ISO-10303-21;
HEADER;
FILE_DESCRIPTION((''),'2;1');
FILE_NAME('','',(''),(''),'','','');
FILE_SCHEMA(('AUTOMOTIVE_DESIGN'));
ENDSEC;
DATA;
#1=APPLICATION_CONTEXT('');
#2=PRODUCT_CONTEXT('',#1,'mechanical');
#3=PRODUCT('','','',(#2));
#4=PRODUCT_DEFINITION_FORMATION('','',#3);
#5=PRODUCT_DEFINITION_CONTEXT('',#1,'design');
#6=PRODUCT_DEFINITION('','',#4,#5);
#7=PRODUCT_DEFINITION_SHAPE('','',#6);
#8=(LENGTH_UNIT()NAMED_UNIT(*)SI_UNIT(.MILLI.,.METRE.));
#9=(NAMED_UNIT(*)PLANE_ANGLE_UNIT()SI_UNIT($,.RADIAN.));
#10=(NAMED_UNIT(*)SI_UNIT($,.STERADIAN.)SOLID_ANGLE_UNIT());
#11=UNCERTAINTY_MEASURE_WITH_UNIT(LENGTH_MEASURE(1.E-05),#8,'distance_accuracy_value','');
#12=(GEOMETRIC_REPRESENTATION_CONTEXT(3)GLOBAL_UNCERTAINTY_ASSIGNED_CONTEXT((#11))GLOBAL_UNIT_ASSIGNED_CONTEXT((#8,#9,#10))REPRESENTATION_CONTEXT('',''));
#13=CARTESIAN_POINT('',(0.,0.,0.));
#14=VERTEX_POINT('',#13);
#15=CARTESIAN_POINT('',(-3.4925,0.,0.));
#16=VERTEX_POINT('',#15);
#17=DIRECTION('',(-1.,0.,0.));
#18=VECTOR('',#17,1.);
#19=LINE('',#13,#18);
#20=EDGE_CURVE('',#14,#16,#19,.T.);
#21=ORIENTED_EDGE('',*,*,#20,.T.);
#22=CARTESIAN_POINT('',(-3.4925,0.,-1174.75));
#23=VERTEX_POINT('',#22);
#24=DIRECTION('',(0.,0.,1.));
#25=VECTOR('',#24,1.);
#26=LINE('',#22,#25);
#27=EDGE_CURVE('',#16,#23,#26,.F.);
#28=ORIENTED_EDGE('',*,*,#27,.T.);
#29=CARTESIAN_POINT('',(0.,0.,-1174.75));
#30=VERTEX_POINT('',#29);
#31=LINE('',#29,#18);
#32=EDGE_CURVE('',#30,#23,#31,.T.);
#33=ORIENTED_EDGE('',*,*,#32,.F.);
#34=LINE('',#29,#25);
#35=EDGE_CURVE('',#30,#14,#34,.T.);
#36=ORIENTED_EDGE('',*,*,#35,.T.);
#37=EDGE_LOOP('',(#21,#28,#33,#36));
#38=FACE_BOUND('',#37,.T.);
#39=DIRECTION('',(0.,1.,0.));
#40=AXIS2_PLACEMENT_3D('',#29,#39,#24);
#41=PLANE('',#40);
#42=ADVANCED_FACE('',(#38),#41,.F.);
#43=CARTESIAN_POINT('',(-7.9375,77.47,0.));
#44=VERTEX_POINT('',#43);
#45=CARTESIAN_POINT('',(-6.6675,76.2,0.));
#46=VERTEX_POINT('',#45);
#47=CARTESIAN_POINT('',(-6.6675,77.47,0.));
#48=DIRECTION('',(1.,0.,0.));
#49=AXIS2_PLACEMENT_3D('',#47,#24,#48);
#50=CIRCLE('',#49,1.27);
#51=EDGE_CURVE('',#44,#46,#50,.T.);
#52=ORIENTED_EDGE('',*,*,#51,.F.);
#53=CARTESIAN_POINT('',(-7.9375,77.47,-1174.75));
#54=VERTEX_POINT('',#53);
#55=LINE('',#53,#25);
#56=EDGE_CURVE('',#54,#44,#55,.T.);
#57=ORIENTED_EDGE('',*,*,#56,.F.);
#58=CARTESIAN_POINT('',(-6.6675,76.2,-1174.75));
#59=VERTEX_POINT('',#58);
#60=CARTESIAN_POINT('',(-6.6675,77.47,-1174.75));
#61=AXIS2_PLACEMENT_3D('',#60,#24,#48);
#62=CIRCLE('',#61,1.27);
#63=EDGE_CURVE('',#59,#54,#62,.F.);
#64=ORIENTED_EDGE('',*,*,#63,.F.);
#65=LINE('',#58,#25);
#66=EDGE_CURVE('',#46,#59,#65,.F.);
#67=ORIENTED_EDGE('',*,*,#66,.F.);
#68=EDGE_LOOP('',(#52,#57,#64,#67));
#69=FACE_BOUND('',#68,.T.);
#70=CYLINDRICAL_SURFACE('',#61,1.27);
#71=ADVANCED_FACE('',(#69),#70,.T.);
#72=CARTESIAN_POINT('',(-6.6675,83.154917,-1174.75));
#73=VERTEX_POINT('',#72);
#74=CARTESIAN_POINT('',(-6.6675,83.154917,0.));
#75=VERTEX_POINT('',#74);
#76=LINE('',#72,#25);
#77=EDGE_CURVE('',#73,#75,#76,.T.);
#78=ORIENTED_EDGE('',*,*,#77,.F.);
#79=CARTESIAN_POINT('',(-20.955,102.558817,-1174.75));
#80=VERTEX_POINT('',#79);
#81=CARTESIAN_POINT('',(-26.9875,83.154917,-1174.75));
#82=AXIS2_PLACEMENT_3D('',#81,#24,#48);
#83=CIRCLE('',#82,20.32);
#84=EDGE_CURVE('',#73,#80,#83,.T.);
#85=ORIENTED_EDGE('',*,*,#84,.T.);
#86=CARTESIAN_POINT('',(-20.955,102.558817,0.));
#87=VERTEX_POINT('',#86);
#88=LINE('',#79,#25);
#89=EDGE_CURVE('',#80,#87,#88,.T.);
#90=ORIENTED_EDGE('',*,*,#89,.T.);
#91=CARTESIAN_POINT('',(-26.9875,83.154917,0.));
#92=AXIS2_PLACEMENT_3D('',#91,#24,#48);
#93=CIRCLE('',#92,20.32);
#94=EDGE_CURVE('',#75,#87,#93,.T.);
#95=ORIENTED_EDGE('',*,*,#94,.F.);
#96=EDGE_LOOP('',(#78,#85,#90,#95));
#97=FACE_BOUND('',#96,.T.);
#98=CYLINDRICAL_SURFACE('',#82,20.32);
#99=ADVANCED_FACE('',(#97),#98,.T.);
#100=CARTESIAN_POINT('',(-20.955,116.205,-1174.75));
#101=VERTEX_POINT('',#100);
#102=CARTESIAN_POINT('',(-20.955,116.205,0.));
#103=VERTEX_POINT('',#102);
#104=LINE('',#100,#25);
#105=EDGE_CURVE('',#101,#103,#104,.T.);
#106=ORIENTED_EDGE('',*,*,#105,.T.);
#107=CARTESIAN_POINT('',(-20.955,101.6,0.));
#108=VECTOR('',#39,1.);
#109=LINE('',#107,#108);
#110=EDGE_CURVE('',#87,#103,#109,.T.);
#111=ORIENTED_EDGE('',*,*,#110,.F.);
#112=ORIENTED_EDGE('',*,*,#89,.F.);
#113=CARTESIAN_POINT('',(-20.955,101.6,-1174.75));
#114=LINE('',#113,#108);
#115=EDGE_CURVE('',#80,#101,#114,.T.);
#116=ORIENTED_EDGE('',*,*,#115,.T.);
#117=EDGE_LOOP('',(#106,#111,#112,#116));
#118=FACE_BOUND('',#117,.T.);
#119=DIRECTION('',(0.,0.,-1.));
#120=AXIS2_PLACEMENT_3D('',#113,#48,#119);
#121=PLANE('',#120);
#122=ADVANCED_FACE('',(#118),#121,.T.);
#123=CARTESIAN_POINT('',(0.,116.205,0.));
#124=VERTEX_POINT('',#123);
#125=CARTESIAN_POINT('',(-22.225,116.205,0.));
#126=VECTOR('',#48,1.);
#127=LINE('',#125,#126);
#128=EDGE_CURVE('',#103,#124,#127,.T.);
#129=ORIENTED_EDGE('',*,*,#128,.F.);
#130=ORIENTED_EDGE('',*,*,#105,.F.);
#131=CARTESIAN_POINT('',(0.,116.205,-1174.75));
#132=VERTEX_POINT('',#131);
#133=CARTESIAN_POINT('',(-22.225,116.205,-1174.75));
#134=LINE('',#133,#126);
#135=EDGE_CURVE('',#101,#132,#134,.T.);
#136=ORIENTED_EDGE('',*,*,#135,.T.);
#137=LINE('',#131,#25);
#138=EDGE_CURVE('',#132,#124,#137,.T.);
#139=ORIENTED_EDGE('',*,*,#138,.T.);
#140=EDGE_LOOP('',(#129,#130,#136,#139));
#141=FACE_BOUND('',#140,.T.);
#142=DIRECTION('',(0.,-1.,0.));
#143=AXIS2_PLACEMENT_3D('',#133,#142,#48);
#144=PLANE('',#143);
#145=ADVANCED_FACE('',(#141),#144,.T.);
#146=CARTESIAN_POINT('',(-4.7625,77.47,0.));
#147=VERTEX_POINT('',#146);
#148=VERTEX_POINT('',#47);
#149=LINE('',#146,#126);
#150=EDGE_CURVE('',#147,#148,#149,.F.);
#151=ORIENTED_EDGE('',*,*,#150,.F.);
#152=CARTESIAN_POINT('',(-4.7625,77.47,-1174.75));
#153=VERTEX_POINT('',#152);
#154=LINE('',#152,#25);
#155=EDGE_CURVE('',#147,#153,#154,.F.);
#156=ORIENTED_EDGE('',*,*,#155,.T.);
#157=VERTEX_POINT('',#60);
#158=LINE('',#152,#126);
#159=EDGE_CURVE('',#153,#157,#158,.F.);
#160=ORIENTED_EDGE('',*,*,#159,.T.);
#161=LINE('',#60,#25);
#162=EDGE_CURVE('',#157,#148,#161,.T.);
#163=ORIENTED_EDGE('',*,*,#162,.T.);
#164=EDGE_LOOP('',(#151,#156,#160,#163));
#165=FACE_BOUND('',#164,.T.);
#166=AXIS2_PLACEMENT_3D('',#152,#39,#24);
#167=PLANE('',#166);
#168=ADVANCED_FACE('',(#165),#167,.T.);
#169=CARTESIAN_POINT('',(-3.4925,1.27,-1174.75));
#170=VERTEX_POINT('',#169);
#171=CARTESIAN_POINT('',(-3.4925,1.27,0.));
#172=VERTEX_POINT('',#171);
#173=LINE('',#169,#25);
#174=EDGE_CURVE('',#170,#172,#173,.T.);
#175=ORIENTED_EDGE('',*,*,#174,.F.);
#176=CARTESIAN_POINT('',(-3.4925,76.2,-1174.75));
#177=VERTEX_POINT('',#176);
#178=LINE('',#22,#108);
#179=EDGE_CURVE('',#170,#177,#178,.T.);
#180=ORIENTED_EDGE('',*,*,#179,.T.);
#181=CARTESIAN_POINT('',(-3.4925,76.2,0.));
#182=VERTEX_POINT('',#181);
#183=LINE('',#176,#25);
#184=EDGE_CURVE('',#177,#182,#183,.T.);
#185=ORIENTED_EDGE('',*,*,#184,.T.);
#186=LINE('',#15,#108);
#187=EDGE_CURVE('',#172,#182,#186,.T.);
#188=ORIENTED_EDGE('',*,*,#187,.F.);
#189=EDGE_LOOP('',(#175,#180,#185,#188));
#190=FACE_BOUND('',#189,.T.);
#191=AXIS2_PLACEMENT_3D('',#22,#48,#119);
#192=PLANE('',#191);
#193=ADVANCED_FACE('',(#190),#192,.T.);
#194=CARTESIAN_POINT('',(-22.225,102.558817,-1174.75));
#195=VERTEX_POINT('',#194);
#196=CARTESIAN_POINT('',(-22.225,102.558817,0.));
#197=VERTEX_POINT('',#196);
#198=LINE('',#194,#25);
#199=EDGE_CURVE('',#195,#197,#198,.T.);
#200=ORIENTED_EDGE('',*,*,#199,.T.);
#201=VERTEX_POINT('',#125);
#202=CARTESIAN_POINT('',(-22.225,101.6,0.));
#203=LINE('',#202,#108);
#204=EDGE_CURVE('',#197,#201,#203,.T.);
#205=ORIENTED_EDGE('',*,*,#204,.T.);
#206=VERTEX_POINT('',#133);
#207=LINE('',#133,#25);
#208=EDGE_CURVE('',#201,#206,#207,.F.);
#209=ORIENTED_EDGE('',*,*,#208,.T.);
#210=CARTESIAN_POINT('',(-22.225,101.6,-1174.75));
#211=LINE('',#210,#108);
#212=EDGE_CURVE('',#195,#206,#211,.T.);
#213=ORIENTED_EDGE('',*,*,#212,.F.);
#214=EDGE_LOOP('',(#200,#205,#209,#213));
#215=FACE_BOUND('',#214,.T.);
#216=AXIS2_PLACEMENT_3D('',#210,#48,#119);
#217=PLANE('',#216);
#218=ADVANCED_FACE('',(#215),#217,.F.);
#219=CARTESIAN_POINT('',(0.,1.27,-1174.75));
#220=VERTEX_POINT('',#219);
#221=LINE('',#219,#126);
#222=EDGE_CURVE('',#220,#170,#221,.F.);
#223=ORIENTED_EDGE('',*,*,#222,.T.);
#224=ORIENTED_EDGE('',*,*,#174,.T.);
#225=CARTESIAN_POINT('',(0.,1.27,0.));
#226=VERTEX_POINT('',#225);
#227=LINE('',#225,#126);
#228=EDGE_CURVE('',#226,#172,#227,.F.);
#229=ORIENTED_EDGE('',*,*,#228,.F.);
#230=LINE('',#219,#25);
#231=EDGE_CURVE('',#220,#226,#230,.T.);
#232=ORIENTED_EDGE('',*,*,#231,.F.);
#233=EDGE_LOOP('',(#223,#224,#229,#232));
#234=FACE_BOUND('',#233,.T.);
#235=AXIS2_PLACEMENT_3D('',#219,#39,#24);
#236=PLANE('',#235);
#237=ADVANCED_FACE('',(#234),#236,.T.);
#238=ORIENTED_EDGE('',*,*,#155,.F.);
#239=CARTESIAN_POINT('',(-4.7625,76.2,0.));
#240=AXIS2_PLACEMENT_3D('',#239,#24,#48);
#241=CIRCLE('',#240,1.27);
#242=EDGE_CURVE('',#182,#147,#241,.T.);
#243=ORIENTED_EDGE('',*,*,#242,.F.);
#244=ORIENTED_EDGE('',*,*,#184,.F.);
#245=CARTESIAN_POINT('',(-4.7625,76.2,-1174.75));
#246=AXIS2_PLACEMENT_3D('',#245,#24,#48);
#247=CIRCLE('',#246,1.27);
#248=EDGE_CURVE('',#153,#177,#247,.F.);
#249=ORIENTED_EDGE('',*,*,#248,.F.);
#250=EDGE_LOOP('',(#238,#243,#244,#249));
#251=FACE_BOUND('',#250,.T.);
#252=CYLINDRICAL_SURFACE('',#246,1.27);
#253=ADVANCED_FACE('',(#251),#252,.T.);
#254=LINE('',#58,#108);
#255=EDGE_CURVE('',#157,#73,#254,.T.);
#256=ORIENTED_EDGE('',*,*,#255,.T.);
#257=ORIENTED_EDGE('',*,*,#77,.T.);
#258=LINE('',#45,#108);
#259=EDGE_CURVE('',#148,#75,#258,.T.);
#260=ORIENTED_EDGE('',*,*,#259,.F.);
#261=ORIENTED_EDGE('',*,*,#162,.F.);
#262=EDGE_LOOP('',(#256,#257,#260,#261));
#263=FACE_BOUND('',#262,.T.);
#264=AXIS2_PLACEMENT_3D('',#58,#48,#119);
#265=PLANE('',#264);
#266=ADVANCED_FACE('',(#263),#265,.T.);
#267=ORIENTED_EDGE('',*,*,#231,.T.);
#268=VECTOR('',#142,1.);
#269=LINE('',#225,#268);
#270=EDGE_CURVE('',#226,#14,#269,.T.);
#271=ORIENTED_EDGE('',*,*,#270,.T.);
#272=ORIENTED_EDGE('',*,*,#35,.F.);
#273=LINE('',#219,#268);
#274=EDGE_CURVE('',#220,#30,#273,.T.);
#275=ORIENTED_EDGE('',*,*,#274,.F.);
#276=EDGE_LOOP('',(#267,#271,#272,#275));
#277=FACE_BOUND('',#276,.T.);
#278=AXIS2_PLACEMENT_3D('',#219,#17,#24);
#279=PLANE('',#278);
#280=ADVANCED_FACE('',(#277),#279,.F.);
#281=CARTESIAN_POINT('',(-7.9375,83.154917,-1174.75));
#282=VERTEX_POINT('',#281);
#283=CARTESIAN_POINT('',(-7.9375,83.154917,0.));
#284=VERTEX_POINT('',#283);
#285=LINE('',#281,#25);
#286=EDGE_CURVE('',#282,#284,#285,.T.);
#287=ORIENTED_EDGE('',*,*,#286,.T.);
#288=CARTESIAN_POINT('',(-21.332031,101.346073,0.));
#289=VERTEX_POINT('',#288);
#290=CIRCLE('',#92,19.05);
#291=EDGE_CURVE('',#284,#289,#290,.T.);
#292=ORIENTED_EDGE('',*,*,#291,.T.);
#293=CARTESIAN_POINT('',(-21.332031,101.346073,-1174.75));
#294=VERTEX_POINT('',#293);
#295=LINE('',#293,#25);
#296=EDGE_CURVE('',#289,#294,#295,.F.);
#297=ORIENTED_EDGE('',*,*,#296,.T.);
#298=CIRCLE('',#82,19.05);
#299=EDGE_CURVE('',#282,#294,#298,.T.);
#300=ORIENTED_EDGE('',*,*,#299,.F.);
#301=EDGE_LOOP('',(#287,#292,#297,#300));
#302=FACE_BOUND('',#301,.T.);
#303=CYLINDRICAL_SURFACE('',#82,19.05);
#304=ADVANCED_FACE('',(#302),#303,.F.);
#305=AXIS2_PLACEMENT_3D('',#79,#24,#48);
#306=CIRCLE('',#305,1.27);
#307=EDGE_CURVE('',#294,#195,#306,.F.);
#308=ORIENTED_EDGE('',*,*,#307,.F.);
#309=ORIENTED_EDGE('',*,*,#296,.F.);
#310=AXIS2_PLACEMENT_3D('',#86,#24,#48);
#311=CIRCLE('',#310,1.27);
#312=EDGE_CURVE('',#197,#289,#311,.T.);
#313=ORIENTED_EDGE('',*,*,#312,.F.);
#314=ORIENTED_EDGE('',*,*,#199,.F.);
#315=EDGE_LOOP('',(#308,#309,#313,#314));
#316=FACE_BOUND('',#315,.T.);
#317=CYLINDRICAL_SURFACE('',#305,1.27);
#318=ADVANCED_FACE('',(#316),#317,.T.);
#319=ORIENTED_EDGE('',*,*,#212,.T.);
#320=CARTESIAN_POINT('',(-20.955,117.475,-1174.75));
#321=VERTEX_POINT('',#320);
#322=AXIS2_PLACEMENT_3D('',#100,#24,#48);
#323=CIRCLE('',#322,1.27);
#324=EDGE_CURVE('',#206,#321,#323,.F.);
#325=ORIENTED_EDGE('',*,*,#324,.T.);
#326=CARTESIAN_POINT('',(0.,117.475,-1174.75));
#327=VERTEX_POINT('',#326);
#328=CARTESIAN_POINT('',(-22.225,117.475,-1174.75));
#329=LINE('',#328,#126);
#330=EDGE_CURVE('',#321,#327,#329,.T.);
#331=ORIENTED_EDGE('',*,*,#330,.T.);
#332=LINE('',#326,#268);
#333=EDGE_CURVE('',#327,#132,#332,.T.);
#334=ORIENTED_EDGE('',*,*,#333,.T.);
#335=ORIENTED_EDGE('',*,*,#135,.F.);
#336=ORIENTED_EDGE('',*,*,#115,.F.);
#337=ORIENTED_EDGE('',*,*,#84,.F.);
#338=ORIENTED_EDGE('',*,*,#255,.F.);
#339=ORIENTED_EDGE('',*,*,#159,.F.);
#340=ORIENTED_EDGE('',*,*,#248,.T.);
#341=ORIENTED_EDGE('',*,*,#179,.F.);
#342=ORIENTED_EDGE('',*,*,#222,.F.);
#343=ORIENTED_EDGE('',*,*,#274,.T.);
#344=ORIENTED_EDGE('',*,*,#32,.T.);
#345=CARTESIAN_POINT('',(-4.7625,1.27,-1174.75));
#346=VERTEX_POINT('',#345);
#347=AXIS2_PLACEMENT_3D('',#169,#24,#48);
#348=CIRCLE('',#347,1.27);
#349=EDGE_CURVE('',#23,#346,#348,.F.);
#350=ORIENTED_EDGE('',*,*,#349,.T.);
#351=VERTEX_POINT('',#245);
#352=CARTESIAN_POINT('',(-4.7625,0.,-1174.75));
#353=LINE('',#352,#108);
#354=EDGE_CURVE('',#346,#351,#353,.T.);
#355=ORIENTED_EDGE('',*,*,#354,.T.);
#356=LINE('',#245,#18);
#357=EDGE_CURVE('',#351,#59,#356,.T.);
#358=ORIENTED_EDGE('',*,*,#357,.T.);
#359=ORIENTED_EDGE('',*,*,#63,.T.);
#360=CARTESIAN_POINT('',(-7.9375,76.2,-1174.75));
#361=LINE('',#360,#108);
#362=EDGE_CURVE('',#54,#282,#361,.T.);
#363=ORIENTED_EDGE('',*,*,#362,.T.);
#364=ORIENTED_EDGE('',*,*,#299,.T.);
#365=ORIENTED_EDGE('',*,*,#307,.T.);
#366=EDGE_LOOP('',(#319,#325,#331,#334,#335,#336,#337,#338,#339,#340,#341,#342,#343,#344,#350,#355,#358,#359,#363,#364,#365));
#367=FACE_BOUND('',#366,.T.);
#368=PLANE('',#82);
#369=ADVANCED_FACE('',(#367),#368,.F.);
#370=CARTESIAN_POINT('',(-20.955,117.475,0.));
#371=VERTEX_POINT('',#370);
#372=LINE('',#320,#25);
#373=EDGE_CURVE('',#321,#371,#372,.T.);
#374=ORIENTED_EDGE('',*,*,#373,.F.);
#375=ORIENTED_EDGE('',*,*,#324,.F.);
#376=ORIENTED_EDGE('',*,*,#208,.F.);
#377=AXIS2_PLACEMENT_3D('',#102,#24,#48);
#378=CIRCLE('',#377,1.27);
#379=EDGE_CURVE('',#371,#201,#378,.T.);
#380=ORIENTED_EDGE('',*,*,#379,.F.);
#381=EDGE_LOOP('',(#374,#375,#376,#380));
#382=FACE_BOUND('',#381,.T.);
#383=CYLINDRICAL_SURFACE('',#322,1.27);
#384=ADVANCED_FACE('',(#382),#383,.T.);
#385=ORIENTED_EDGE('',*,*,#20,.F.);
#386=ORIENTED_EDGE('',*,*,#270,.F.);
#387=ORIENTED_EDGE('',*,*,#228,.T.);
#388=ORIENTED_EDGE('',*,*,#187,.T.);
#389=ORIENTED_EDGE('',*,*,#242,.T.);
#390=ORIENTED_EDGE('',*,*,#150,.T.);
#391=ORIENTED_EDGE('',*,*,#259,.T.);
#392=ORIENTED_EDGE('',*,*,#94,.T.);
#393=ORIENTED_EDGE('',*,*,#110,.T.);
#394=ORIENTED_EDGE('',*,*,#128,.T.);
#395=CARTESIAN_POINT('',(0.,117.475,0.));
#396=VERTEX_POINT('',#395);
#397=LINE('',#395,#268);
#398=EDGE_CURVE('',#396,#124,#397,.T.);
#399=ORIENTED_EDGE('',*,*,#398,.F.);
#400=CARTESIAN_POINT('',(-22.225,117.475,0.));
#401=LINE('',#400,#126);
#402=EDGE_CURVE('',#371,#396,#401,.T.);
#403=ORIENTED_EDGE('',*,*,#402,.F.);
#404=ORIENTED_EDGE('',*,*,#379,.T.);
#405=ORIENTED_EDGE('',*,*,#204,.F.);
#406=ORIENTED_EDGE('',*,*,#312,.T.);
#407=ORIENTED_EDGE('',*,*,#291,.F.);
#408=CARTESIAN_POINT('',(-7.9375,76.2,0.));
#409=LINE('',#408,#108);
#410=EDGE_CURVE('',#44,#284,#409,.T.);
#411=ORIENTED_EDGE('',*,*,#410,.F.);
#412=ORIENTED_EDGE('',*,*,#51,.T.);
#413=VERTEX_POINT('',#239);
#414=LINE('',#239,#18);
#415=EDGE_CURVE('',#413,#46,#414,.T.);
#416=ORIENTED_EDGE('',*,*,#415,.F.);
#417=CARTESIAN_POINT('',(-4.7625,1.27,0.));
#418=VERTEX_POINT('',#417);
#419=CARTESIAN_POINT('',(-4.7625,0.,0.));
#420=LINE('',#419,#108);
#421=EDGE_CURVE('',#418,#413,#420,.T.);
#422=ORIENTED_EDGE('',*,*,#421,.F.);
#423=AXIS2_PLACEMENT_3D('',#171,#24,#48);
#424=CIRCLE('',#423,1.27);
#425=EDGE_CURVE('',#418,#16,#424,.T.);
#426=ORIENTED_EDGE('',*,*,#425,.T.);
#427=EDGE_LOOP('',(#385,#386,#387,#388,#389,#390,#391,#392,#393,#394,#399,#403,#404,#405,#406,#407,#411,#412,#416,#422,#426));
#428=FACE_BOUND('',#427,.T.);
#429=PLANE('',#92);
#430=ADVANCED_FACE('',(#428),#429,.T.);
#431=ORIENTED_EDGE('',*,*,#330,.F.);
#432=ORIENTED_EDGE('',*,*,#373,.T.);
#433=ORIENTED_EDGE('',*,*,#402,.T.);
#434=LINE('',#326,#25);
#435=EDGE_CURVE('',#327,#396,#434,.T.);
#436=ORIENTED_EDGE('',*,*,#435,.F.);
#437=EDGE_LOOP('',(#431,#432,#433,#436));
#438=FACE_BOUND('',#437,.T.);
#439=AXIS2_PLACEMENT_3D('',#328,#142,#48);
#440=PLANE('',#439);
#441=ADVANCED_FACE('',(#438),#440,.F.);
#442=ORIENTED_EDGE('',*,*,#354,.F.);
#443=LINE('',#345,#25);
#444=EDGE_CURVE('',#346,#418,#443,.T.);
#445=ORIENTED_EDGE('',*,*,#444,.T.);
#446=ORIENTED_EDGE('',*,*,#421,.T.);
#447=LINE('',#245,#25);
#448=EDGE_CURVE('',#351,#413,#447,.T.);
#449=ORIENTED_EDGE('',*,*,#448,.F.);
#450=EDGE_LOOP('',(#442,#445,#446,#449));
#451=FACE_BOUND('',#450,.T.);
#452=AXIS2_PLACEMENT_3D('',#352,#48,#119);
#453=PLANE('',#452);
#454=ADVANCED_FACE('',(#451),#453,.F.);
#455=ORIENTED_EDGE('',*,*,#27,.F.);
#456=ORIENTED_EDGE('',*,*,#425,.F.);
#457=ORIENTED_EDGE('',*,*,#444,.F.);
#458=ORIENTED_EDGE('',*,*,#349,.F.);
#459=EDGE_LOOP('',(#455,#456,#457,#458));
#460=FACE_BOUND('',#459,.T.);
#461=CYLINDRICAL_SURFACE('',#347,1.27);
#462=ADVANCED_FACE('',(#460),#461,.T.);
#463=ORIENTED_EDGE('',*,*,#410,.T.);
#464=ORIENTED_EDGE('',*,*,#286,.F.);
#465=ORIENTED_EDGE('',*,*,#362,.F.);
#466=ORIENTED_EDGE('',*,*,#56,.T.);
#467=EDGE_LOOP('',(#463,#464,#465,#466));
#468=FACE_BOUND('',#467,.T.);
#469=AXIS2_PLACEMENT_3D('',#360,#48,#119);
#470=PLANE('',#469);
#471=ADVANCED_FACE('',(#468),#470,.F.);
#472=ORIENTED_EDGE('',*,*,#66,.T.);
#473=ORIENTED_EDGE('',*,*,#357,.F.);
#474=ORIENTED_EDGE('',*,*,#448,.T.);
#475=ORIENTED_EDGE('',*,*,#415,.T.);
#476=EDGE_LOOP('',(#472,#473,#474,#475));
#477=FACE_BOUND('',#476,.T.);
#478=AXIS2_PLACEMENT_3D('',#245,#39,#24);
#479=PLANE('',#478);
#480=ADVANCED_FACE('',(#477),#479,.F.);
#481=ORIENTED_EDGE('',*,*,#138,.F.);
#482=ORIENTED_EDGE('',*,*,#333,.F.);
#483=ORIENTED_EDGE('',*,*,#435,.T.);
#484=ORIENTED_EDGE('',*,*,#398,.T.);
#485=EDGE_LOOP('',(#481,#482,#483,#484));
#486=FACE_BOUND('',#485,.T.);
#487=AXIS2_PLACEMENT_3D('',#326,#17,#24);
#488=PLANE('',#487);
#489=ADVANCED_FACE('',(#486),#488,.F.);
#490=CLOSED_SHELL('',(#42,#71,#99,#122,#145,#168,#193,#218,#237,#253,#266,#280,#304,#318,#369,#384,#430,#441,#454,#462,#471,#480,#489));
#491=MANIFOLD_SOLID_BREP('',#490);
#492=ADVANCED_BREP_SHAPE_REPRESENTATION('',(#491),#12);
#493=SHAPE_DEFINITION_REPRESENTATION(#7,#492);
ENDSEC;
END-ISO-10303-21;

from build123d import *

# Parameters (mm, degrees)
EXTRUDE_THIN1_DEPTH = 1174.75
FILLET1_R           = 1.27


with BuildPart() as part:
    # Sketch1 → Extrude-Thin1 (new body)
    with BuildSketch(Plane.XY):
        with BuildLine():
            Line((0, 0), (-4.7625, 0))
            Line((-4.7625, 0), (-4.7625, 76.2))
            Line((-4.7625, 76.2), (-7.9375, 76.2))
            Line((-7.9375, 76.2), (-7.9375, 83.154916814))
            ThreePointArc((-7.9375, 83.154916814), (-11.927152643, 94.820611714), (-22.225, 101.6))
            Line((-22.225, 101.6), (-22.225, 117.475))
            Line((-22.225, 117.475), (0, 117.475))
            Line((0, 117.475), (0, 116.205))
            Line((0, 116.205), (-20.955, 116.205))
            Line((-20.955, 116.205), (-20.955, 102.558817034))
            ThreePointArc((-20.955, 102.558817034), (-10.624694617, 95.203194699), (-6.6675, 83.154916814))
            Line((-6.6675, 83.154916814), (-6.6675, 77.47))
            Line((-6.6675, 77.47), (-3.4925, 77.47))
            Line((-3.4925, 77.47), (-3.4925, 1.27))
            Line((-3.4925, 1.27), (0, 1.27))
            Line((0, 1.27), (0, 0))
        make_face()
    extrude(amount=-EXTRUDE_THIN1_DEPTH)

    # Fillet1
    fillet1_edges = [part.edges().sort_by_distance(p)[0] for p in [
        (-3.4925, 77.47, -587.375),
        (-4.7625, 0, -587.375),
        (-7.9375, 76.2, -587.375),
        (-22.225, 101.6, -587.375),
        (-22.225, 117.475, -587.375),
    ]]
    fillet(fillet1_edges, radius=FILLET1_R)


solid = part.part
